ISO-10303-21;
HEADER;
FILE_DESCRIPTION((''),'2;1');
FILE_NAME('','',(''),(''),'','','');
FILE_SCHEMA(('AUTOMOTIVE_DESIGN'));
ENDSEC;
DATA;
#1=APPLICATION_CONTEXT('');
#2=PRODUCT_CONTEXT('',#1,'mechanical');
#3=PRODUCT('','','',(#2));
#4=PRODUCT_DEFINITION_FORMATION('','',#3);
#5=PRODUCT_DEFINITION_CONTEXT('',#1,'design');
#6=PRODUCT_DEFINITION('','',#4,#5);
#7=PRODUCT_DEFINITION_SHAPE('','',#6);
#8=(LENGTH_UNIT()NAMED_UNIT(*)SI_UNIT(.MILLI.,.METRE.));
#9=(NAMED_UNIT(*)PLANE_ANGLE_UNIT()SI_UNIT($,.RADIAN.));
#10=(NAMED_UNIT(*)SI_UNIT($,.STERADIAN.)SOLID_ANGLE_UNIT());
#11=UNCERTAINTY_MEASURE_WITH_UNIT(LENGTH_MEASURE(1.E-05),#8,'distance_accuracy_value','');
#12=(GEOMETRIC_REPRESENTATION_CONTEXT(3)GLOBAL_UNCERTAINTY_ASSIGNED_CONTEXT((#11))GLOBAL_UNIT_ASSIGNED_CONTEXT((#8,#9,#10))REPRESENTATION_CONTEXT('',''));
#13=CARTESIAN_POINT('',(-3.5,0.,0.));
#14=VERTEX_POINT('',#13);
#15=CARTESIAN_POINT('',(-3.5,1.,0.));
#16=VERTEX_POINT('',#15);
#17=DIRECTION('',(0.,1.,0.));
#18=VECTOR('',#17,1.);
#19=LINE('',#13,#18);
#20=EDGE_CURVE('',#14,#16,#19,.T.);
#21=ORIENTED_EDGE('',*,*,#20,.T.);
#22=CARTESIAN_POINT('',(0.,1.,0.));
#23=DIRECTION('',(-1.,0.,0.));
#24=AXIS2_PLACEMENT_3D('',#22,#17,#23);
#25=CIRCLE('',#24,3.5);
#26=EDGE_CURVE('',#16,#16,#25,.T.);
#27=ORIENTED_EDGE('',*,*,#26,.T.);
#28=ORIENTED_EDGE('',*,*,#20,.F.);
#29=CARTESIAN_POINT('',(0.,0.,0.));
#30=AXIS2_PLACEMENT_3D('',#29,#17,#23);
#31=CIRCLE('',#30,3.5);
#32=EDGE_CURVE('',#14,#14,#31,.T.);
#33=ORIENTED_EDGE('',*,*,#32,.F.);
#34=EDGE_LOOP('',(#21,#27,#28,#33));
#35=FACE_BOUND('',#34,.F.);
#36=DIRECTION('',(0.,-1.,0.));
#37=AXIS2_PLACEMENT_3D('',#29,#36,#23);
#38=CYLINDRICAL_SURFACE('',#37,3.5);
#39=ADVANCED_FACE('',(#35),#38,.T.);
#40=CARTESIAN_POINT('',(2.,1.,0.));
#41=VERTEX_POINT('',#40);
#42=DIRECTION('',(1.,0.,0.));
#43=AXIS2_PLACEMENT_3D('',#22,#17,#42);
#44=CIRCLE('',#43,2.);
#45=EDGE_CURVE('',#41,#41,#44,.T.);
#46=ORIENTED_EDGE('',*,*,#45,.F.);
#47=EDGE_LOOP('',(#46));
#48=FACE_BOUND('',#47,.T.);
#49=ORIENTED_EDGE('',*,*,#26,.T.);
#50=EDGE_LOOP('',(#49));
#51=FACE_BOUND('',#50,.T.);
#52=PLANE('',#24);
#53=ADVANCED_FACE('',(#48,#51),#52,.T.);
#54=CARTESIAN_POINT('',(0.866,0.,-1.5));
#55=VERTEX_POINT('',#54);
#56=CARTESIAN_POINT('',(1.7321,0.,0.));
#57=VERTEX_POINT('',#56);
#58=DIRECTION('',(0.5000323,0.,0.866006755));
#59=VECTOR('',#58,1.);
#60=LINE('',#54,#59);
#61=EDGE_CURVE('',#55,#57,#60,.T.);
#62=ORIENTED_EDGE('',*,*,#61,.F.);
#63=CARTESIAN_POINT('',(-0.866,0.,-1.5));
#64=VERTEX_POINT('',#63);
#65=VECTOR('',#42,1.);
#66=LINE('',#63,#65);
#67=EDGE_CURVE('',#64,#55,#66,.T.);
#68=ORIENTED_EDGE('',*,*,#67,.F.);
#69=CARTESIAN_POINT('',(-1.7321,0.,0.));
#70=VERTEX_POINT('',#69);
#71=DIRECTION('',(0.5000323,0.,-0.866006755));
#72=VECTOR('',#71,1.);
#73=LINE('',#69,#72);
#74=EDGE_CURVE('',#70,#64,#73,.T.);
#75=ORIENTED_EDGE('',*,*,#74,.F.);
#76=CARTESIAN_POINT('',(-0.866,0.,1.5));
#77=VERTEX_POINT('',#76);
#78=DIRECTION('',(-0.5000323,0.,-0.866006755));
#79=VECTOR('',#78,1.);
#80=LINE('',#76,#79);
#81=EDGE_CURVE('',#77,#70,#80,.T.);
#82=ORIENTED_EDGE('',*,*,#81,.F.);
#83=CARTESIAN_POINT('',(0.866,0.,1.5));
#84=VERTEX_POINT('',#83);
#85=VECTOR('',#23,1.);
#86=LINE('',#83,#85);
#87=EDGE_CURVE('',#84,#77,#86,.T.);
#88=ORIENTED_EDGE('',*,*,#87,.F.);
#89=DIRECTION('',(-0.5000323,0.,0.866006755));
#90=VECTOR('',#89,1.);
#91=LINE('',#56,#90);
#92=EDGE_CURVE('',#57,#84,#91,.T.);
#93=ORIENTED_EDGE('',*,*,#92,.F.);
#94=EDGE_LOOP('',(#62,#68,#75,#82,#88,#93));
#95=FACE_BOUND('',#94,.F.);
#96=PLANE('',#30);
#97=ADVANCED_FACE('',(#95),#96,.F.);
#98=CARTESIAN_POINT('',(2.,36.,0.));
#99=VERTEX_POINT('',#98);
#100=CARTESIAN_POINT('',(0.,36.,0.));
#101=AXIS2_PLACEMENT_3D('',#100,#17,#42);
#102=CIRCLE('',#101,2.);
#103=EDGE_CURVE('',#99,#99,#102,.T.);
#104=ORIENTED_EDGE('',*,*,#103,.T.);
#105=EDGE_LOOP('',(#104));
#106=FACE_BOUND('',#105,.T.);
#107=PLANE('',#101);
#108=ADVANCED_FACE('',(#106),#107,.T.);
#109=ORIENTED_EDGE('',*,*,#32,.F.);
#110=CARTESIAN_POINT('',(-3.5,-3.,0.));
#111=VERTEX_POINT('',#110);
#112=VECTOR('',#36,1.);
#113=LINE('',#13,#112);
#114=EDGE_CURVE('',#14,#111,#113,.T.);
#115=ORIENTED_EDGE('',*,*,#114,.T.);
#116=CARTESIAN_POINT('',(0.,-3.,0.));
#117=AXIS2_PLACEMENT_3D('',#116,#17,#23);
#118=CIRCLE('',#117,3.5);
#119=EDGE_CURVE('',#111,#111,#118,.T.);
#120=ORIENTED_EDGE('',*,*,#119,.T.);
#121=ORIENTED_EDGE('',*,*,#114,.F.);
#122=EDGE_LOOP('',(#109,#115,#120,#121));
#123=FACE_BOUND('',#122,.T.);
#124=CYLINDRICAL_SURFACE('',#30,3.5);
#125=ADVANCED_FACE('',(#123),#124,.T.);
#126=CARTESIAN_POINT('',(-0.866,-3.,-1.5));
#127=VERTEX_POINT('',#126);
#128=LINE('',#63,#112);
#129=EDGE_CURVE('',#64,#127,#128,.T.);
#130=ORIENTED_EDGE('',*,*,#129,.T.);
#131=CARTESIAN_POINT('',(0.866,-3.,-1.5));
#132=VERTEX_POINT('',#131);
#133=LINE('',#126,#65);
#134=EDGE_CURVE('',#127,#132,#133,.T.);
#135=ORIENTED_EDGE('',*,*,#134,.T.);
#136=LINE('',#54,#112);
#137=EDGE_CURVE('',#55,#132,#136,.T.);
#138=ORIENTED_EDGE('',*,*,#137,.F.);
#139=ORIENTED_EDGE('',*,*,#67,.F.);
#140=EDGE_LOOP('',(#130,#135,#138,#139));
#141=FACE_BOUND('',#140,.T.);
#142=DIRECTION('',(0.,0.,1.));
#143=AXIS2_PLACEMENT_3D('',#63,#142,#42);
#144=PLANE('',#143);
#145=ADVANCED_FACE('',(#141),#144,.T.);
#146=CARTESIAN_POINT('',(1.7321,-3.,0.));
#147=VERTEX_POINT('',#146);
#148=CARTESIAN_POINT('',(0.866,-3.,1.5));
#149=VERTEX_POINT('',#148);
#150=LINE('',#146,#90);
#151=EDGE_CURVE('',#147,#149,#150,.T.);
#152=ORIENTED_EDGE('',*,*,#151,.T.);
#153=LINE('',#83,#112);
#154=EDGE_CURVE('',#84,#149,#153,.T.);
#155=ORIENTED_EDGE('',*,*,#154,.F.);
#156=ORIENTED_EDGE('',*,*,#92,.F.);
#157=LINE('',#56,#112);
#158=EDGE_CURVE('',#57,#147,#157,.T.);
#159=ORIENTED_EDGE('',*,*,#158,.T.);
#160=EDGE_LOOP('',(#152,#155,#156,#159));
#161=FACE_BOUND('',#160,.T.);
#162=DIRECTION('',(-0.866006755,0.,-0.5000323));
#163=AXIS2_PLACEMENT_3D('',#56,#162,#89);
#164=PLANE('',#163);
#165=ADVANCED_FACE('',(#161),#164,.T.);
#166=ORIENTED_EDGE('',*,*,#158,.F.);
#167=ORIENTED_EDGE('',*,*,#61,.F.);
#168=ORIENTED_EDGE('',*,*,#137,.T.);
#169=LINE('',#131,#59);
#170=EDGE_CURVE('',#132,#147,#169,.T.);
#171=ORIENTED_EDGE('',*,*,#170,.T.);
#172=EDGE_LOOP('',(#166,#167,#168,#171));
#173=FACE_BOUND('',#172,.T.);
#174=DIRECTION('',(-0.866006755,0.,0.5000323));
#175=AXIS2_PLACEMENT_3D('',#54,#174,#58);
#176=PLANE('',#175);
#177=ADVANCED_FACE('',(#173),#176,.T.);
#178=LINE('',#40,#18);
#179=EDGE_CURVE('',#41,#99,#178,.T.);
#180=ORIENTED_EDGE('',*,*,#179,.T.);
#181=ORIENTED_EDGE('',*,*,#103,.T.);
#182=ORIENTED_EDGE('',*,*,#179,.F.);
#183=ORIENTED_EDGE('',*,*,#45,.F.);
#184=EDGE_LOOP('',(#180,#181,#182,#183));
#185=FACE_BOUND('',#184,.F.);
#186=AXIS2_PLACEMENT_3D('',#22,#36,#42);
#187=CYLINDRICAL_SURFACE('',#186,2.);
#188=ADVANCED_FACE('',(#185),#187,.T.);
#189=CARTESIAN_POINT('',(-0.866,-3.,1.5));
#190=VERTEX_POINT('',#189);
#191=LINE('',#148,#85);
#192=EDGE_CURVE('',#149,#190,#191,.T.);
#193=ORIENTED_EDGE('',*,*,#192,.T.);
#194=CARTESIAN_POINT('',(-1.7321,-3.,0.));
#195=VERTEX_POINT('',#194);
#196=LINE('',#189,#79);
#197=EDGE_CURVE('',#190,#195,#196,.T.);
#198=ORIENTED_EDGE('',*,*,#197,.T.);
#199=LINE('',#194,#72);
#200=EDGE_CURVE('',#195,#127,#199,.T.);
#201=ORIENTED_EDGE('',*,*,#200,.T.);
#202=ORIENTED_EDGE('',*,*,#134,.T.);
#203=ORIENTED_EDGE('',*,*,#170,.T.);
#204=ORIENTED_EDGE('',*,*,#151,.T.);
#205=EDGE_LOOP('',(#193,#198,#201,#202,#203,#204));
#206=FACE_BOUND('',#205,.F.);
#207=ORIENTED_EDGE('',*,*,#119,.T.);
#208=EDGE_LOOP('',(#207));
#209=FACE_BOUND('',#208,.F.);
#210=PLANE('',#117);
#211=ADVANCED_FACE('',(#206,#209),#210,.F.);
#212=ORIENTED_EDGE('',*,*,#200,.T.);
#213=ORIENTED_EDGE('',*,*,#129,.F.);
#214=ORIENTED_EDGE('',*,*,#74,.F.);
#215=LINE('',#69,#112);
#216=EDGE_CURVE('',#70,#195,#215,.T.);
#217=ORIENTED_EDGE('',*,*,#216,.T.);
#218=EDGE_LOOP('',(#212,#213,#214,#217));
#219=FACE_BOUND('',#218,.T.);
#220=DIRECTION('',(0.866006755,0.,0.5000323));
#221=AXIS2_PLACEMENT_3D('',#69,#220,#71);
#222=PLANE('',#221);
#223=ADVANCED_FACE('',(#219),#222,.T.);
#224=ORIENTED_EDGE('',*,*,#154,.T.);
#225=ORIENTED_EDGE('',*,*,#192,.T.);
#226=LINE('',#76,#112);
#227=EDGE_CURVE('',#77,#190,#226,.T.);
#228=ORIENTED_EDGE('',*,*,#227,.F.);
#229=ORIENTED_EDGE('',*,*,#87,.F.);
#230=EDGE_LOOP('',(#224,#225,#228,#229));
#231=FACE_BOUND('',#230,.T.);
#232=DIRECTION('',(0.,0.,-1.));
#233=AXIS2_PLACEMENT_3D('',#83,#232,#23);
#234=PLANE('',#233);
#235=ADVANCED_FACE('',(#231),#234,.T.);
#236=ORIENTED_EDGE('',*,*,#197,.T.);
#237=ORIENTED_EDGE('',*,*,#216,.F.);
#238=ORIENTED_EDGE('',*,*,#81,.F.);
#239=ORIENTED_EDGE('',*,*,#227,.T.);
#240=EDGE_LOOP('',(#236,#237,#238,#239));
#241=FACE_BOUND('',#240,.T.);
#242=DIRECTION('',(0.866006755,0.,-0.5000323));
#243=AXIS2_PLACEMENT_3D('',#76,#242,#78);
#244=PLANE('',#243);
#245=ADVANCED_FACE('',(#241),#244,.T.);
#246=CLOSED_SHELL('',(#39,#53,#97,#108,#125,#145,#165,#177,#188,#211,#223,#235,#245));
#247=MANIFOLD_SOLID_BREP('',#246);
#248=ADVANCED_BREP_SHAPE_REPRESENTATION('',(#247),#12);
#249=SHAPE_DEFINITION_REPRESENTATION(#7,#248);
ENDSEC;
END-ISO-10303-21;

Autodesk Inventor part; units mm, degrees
ref_plane "YZ Plane" through (0, 0, 0) normal (1, 0, 0) x (0, 1, 0)
ref_plane "XZ Plane" through (0, 0, 0) normal (0, 1, 0) x (-1, 0, 0)
ref_plane "XY Plane" through (0, 0, 0) normal (0, 0, 1) x (1, 0, 0)
sketch "Szkic1" plane through (0, 0, 0) normal (0, 1, 0) x (-1, 0, 0)
  circle A0 centre (0, 0) radius 3.5
  line L0 (0.866, 1.5) -> (1.7321, 0)
  line L1 (1.7321, 0) -> (0.866, -1.5)
  line L2 (0.866, -1.5) -> (-0.866, -1.5)
  line L3 (-0.866, -1.5) -> (-1.7321, 0)
  line L4 (-1.7321, 0) -> (-0.866, 1.5)
  line L5 (-0.866, 1.5) -> (0.866, 1.5)
  circle A1 centre (0, 0) radius 2
  dimension "d0" = 7
  dimension "d1" = 3
  dimension "d12" = 4
extrude "Wyciągnięcie proste1" add sketch "Szkic1" along normal blind 1 contours A0 | L0 L1 L2 L3 L4 L5 | A1
extrude "Wyciągnięcie proste2" add sketch "Szkic1" against normal blind 3 contours A0 | A1
sketch "Szkic2" plane through (0, 1, 0) normal (0, 1, 0) x (1, 0, 0)
  circle A0 centre (0, 0) radius 2
  dimension "d7" = 4
extrude "Wyciągnięcie proste3" add sketch "Szkic2" along normal blind 35
thread "Gwint1" size "M4x0.7" class "6g" standard "ANSI Metric M Profile" length 65
properties part number "M4x35" material "Aluminum 6061"
